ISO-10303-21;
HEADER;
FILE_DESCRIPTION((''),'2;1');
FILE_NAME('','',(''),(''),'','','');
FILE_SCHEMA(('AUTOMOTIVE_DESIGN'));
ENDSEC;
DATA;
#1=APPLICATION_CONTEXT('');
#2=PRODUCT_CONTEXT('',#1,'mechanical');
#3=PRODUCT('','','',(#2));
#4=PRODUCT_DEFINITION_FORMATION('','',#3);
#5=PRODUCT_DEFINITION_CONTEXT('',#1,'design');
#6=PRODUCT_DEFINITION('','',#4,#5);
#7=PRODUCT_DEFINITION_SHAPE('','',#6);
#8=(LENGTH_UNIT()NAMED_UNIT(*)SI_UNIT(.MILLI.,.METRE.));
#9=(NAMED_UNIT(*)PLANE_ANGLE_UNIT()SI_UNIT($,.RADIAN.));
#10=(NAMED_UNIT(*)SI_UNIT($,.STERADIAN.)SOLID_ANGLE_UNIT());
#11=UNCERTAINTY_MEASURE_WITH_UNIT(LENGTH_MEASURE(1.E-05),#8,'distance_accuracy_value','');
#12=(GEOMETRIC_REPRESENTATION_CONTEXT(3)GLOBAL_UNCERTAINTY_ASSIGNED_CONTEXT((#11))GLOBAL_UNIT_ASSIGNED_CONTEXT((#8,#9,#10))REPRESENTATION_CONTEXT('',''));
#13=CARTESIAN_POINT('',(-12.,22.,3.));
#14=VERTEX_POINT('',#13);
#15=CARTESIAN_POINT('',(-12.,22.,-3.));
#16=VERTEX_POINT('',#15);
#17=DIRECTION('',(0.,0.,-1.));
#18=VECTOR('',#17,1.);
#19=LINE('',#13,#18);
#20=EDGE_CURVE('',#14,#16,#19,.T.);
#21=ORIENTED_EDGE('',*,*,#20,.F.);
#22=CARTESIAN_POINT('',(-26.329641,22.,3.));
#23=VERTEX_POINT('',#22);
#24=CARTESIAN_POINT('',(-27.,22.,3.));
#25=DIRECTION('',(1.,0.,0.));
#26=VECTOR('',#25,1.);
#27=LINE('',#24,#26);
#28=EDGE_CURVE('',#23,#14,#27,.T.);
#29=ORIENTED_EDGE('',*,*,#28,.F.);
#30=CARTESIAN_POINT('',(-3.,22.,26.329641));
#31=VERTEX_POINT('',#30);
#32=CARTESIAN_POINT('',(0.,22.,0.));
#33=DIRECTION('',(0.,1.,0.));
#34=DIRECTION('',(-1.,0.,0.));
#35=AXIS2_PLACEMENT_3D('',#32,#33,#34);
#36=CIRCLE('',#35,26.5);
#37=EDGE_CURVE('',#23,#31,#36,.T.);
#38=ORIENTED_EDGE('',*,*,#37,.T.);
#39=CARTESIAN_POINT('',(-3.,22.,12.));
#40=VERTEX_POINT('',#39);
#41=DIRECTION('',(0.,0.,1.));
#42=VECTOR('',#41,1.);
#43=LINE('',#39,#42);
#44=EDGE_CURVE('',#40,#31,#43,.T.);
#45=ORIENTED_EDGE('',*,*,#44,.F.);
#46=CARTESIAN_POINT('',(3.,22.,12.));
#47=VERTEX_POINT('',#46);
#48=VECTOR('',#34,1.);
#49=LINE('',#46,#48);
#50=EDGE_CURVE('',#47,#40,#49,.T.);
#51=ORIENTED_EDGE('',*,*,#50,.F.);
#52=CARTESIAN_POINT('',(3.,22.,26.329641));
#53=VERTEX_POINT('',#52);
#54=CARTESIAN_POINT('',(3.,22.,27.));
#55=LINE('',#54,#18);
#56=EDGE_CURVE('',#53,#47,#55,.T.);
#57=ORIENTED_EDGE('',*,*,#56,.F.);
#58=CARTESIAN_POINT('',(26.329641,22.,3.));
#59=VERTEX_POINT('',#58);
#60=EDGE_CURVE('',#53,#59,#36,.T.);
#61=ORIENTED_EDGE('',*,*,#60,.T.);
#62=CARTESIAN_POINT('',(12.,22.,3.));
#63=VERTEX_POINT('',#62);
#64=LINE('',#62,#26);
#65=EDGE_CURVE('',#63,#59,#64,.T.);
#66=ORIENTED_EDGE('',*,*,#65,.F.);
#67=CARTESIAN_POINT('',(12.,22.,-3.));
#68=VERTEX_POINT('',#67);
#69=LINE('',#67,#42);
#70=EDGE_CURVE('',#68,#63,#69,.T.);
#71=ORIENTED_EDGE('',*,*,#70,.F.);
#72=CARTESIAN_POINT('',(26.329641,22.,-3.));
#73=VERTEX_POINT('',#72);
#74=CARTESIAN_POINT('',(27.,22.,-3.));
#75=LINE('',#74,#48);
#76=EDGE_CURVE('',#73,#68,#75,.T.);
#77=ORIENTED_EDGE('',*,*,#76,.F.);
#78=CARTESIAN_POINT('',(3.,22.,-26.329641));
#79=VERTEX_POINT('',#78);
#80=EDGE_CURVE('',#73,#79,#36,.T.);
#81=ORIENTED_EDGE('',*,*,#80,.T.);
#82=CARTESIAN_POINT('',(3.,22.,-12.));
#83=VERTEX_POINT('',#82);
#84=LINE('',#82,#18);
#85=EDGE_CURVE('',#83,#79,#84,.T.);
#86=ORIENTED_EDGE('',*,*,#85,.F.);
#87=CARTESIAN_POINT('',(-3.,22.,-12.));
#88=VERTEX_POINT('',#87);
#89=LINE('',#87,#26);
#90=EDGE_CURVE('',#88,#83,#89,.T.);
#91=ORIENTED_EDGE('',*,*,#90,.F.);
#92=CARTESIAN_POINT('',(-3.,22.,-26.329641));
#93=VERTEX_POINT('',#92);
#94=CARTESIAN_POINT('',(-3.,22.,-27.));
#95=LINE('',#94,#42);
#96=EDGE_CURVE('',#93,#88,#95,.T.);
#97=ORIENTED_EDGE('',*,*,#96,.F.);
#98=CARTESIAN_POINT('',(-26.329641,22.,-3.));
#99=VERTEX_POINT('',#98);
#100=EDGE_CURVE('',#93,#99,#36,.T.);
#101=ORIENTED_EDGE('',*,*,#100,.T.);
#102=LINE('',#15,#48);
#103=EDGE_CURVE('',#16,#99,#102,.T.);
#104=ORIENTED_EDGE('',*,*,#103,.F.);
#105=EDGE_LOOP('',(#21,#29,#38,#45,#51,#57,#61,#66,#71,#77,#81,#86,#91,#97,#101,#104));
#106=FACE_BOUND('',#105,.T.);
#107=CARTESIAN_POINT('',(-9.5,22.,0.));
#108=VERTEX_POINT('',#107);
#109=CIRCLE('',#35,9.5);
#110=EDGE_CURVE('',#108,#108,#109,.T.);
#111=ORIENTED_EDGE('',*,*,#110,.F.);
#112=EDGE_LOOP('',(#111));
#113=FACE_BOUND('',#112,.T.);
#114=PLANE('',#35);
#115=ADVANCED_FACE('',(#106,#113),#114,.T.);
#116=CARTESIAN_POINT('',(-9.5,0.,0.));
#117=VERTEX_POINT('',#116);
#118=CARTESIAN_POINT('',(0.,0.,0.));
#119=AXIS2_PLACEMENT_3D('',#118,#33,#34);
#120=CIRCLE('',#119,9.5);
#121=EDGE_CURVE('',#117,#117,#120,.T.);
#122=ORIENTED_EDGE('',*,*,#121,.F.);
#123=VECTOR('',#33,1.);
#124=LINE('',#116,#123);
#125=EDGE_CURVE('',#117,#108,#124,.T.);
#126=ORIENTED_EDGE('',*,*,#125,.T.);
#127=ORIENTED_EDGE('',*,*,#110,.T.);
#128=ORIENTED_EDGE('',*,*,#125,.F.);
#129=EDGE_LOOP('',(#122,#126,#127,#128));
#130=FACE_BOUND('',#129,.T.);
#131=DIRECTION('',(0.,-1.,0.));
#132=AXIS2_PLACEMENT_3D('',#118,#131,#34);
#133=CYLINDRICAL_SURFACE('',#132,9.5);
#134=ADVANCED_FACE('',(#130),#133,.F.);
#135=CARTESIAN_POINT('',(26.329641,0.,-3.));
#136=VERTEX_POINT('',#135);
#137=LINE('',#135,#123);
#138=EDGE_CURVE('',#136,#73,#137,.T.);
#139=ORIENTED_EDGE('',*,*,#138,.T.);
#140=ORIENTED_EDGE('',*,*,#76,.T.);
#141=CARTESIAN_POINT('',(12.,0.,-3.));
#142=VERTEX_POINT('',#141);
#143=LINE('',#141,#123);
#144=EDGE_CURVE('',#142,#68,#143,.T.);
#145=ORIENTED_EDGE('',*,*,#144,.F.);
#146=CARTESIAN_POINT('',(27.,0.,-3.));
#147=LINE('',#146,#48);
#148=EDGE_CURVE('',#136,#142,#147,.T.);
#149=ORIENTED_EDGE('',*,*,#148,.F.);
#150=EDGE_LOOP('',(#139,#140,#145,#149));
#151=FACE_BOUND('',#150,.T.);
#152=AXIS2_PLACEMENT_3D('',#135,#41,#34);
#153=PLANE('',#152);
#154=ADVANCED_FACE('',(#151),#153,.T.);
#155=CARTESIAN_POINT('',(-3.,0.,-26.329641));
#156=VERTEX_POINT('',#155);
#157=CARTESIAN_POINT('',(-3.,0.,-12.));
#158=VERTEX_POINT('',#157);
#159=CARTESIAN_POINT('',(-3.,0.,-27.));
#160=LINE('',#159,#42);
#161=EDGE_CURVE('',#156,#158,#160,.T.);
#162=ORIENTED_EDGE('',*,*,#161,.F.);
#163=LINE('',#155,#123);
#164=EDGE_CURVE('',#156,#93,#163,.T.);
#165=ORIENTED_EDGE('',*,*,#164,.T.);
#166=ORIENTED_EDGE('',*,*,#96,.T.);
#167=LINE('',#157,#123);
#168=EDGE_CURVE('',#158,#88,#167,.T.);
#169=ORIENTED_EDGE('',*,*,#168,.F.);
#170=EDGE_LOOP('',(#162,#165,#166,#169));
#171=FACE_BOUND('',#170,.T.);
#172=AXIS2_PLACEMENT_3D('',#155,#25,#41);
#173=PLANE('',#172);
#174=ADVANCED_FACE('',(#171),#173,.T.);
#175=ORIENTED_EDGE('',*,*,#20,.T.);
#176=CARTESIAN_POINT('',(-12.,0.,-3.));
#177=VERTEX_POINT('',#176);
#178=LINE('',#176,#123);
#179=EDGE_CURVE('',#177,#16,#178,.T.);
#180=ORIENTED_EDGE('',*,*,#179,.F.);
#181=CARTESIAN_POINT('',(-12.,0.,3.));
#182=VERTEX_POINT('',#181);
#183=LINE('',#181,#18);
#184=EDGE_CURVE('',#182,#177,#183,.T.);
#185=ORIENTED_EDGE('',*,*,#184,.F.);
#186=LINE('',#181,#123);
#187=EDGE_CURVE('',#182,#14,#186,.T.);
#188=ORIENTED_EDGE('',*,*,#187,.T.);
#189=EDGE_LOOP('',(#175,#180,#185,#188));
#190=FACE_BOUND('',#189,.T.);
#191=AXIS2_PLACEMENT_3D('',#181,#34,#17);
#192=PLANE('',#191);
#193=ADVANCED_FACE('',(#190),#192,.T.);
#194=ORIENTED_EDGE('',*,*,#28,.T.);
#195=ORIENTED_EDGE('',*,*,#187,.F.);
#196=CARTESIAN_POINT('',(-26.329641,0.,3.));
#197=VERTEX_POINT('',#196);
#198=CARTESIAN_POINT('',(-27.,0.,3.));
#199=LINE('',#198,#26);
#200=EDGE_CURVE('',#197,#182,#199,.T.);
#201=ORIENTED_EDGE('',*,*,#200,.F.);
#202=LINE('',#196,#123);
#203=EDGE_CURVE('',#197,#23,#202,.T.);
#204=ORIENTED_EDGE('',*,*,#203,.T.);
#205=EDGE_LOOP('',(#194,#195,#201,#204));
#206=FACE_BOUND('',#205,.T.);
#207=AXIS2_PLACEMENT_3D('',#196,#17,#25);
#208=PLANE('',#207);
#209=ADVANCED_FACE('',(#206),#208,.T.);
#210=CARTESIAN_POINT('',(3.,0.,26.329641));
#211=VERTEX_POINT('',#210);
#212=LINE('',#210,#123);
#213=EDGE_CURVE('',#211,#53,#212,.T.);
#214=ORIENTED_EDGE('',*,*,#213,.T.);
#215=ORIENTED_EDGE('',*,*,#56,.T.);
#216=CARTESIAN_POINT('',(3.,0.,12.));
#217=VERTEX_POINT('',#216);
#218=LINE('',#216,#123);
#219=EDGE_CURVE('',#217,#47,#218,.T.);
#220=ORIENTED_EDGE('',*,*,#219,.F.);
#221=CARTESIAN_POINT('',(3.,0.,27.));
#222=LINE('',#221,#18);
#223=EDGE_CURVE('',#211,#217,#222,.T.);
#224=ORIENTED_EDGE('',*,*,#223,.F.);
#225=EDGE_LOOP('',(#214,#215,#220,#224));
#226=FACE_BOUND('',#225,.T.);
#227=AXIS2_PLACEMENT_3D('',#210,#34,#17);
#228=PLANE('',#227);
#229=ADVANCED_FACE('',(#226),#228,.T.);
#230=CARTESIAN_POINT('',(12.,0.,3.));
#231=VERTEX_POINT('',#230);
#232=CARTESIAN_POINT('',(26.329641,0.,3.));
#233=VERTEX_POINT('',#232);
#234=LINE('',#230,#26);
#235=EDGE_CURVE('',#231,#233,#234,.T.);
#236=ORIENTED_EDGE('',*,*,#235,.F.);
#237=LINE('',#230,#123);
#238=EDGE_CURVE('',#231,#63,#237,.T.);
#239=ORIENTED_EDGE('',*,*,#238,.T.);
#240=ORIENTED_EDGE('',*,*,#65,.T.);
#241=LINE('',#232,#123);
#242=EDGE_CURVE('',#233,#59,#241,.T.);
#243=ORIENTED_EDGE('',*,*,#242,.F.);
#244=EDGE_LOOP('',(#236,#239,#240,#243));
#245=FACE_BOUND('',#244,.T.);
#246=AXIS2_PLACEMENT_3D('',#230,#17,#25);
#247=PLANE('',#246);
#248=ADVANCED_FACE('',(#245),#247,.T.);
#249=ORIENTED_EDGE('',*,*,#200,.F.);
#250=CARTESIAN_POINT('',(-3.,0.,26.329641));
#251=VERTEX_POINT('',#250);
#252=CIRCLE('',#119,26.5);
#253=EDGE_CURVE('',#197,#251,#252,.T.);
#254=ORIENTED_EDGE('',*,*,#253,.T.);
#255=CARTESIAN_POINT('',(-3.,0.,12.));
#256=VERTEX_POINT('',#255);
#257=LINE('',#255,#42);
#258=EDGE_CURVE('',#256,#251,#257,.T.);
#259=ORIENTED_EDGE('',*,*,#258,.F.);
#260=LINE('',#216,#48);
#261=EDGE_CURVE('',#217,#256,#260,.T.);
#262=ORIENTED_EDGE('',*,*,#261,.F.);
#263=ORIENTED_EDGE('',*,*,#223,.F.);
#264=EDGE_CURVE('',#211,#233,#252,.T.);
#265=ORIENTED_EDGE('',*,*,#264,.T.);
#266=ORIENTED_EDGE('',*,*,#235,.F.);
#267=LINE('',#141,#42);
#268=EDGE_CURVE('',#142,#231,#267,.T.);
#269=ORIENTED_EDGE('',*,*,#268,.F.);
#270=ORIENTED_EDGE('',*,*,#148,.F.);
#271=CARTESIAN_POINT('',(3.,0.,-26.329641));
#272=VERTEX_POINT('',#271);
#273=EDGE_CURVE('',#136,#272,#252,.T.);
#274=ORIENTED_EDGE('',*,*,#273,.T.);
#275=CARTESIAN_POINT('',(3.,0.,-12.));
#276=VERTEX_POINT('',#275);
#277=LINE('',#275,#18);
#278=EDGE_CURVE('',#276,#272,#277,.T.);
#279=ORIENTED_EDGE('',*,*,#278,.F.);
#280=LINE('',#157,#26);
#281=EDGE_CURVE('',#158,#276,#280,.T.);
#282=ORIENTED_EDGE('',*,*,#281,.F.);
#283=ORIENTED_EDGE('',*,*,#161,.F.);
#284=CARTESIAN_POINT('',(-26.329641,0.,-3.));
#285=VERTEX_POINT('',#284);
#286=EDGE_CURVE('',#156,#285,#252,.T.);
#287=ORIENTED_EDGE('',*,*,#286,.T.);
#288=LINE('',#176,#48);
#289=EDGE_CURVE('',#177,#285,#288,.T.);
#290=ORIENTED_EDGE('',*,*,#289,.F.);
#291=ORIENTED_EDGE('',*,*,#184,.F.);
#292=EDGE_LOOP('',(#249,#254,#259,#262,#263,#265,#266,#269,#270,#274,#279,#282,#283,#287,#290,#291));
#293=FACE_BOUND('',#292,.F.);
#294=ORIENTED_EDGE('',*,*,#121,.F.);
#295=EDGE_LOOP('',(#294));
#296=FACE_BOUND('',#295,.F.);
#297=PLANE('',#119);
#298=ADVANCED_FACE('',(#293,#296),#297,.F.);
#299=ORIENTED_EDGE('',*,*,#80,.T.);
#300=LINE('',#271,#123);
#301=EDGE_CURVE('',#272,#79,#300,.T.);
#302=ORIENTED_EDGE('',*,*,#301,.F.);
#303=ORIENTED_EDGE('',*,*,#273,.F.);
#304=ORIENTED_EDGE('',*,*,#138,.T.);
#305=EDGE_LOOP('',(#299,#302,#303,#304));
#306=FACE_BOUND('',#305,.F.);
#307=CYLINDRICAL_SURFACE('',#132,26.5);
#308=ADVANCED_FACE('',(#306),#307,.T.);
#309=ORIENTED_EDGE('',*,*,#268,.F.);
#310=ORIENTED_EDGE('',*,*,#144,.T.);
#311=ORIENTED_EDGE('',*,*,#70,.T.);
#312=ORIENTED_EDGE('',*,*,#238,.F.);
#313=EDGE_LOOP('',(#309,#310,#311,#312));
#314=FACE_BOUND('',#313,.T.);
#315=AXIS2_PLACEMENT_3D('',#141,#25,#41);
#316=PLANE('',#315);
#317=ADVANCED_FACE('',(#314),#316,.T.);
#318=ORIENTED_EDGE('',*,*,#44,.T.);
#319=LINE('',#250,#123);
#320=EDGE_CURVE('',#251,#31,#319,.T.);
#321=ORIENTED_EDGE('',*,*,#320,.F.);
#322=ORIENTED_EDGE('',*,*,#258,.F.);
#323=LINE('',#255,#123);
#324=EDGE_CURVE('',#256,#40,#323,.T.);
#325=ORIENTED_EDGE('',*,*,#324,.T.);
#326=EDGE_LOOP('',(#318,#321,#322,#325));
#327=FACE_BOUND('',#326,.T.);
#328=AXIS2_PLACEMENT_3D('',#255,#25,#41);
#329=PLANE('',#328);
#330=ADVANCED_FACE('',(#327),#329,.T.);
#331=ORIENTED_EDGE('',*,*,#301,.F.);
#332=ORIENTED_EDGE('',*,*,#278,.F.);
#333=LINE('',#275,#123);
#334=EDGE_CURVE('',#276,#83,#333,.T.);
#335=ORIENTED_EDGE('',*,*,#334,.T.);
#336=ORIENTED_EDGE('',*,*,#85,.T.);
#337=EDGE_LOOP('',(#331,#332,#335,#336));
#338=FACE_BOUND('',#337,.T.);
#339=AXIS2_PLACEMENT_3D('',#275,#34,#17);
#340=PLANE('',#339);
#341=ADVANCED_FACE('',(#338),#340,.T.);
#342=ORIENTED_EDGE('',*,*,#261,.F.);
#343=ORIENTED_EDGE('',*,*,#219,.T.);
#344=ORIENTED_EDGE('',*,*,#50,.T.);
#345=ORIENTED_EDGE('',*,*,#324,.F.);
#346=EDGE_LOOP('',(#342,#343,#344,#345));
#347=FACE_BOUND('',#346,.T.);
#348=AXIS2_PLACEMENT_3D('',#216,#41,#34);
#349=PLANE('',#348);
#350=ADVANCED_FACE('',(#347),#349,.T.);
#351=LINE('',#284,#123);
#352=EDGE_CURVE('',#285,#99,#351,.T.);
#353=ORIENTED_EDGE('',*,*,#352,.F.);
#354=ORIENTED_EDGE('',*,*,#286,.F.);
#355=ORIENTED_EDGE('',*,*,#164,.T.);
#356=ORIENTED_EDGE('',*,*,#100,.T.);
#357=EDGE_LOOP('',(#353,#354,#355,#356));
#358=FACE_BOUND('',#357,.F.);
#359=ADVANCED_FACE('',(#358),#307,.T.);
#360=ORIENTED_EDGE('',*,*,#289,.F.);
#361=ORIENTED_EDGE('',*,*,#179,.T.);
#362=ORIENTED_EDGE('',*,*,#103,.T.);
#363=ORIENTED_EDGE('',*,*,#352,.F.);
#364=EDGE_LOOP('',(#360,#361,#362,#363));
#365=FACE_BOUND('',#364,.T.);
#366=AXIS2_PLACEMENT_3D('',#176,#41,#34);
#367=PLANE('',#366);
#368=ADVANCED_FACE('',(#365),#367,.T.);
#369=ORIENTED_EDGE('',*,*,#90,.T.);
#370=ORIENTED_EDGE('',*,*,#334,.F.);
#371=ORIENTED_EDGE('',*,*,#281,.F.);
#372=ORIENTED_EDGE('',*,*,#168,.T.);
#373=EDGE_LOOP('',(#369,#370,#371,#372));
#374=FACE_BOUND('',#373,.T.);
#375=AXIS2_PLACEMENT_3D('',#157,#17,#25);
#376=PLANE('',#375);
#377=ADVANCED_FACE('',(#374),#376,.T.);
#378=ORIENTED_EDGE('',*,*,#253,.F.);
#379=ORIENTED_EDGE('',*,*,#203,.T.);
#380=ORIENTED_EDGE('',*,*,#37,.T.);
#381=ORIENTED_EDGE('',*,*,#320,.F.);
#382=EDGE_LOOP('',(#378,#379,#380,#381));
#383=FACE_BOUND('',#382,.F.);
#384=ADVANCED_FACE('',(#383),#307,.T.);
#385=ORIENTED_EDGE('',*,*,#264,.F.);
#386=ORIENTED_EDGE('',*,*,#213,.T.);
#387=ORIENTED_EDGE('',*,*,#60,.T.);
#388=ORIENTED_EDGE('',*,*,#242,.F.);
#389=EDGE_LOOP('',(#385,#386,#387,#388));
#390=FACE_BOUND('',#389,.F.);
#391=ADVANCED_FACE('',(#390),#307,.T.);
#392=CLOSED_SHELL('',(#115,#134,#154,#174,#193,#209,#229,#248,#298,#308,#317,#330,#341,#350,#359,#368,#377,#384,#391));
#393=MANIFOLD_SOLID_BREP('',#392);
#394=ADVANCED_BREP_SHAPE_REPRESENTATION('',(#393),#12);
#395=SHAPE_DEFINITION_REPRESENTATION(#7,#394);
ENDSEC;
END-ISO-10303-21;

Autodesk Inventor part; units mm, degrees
ref_plane "YZ Plane" through (0, 0, 0) normal (1, 0, 0) x (0, 1, 0)
ref_plane "XZ Plane" through (0, 0, 0) normal (0, 1, 0) x (-1, 0, 0)
ref_plane "XY Plane" through (0, 0, 0) normal (0, 0, 1) x (1, 0, 0)
sketch "Sketch1" plane through (0, 0, 0) normal (0, 1, 0) x (-1, 0, 0)
  circle A0 centre (0, 0) radius 26.5
  line L0 (27, 3) -> (12, 3)
  line L1 (12, 3) -> (12, -3)
  line L2 (12, -3) -> (27, -3)
  line L3 (27, -3) -> (27, 3)
  line L4 (0, 35.0975) -> (0, -33.454) construction
  line L5 (19.7931, 0) -> (-19.2285, 0) construction
  circle A1 centre (0, 0) radius 9.5
  line L6 (-3, 27) -> (-3, 12)
  line L7 (3, 12) -> (3, 27)
  line L8 (-3, 12) -> (3, 12)
  line L9 (-27, -3) -> (-12, -3)
  line L10 (-12, 3) -> (-27, 3)
  line L11 (-12, -3) -> (-12, 3)
  line L12 (3, -27) -> (3, -12)
  line L13 (-3, -12) -> (-3, -27)
  line L14 (3, -12) -> (-3, -12)
  point P0 (26.3296, 3)
  point P1 (3, 26.3296)
  point P2 (-3, 26.3296)
  point P3 (-26.3296, 3)
  point P4 (-26.3296, -3)
  point P5 (-3, -26.3296)
  point P6 (3, -26.3296)
  point P7 (26.3296, -3)
  dimension "d0" = 53
  dimension "d1" = 6
  dimension "d3" = 19
  dimension "d4" = 12
  dimension "d5" = 15
  dimension "d8" = 360
extrude "Extrusion1" add sketch "Sketch1" along normal blind 22 contours L0 L1 L2 A0 L12 L14 L13 L9 L11 L10 L6 L8 L7
properties part number "rotor"
